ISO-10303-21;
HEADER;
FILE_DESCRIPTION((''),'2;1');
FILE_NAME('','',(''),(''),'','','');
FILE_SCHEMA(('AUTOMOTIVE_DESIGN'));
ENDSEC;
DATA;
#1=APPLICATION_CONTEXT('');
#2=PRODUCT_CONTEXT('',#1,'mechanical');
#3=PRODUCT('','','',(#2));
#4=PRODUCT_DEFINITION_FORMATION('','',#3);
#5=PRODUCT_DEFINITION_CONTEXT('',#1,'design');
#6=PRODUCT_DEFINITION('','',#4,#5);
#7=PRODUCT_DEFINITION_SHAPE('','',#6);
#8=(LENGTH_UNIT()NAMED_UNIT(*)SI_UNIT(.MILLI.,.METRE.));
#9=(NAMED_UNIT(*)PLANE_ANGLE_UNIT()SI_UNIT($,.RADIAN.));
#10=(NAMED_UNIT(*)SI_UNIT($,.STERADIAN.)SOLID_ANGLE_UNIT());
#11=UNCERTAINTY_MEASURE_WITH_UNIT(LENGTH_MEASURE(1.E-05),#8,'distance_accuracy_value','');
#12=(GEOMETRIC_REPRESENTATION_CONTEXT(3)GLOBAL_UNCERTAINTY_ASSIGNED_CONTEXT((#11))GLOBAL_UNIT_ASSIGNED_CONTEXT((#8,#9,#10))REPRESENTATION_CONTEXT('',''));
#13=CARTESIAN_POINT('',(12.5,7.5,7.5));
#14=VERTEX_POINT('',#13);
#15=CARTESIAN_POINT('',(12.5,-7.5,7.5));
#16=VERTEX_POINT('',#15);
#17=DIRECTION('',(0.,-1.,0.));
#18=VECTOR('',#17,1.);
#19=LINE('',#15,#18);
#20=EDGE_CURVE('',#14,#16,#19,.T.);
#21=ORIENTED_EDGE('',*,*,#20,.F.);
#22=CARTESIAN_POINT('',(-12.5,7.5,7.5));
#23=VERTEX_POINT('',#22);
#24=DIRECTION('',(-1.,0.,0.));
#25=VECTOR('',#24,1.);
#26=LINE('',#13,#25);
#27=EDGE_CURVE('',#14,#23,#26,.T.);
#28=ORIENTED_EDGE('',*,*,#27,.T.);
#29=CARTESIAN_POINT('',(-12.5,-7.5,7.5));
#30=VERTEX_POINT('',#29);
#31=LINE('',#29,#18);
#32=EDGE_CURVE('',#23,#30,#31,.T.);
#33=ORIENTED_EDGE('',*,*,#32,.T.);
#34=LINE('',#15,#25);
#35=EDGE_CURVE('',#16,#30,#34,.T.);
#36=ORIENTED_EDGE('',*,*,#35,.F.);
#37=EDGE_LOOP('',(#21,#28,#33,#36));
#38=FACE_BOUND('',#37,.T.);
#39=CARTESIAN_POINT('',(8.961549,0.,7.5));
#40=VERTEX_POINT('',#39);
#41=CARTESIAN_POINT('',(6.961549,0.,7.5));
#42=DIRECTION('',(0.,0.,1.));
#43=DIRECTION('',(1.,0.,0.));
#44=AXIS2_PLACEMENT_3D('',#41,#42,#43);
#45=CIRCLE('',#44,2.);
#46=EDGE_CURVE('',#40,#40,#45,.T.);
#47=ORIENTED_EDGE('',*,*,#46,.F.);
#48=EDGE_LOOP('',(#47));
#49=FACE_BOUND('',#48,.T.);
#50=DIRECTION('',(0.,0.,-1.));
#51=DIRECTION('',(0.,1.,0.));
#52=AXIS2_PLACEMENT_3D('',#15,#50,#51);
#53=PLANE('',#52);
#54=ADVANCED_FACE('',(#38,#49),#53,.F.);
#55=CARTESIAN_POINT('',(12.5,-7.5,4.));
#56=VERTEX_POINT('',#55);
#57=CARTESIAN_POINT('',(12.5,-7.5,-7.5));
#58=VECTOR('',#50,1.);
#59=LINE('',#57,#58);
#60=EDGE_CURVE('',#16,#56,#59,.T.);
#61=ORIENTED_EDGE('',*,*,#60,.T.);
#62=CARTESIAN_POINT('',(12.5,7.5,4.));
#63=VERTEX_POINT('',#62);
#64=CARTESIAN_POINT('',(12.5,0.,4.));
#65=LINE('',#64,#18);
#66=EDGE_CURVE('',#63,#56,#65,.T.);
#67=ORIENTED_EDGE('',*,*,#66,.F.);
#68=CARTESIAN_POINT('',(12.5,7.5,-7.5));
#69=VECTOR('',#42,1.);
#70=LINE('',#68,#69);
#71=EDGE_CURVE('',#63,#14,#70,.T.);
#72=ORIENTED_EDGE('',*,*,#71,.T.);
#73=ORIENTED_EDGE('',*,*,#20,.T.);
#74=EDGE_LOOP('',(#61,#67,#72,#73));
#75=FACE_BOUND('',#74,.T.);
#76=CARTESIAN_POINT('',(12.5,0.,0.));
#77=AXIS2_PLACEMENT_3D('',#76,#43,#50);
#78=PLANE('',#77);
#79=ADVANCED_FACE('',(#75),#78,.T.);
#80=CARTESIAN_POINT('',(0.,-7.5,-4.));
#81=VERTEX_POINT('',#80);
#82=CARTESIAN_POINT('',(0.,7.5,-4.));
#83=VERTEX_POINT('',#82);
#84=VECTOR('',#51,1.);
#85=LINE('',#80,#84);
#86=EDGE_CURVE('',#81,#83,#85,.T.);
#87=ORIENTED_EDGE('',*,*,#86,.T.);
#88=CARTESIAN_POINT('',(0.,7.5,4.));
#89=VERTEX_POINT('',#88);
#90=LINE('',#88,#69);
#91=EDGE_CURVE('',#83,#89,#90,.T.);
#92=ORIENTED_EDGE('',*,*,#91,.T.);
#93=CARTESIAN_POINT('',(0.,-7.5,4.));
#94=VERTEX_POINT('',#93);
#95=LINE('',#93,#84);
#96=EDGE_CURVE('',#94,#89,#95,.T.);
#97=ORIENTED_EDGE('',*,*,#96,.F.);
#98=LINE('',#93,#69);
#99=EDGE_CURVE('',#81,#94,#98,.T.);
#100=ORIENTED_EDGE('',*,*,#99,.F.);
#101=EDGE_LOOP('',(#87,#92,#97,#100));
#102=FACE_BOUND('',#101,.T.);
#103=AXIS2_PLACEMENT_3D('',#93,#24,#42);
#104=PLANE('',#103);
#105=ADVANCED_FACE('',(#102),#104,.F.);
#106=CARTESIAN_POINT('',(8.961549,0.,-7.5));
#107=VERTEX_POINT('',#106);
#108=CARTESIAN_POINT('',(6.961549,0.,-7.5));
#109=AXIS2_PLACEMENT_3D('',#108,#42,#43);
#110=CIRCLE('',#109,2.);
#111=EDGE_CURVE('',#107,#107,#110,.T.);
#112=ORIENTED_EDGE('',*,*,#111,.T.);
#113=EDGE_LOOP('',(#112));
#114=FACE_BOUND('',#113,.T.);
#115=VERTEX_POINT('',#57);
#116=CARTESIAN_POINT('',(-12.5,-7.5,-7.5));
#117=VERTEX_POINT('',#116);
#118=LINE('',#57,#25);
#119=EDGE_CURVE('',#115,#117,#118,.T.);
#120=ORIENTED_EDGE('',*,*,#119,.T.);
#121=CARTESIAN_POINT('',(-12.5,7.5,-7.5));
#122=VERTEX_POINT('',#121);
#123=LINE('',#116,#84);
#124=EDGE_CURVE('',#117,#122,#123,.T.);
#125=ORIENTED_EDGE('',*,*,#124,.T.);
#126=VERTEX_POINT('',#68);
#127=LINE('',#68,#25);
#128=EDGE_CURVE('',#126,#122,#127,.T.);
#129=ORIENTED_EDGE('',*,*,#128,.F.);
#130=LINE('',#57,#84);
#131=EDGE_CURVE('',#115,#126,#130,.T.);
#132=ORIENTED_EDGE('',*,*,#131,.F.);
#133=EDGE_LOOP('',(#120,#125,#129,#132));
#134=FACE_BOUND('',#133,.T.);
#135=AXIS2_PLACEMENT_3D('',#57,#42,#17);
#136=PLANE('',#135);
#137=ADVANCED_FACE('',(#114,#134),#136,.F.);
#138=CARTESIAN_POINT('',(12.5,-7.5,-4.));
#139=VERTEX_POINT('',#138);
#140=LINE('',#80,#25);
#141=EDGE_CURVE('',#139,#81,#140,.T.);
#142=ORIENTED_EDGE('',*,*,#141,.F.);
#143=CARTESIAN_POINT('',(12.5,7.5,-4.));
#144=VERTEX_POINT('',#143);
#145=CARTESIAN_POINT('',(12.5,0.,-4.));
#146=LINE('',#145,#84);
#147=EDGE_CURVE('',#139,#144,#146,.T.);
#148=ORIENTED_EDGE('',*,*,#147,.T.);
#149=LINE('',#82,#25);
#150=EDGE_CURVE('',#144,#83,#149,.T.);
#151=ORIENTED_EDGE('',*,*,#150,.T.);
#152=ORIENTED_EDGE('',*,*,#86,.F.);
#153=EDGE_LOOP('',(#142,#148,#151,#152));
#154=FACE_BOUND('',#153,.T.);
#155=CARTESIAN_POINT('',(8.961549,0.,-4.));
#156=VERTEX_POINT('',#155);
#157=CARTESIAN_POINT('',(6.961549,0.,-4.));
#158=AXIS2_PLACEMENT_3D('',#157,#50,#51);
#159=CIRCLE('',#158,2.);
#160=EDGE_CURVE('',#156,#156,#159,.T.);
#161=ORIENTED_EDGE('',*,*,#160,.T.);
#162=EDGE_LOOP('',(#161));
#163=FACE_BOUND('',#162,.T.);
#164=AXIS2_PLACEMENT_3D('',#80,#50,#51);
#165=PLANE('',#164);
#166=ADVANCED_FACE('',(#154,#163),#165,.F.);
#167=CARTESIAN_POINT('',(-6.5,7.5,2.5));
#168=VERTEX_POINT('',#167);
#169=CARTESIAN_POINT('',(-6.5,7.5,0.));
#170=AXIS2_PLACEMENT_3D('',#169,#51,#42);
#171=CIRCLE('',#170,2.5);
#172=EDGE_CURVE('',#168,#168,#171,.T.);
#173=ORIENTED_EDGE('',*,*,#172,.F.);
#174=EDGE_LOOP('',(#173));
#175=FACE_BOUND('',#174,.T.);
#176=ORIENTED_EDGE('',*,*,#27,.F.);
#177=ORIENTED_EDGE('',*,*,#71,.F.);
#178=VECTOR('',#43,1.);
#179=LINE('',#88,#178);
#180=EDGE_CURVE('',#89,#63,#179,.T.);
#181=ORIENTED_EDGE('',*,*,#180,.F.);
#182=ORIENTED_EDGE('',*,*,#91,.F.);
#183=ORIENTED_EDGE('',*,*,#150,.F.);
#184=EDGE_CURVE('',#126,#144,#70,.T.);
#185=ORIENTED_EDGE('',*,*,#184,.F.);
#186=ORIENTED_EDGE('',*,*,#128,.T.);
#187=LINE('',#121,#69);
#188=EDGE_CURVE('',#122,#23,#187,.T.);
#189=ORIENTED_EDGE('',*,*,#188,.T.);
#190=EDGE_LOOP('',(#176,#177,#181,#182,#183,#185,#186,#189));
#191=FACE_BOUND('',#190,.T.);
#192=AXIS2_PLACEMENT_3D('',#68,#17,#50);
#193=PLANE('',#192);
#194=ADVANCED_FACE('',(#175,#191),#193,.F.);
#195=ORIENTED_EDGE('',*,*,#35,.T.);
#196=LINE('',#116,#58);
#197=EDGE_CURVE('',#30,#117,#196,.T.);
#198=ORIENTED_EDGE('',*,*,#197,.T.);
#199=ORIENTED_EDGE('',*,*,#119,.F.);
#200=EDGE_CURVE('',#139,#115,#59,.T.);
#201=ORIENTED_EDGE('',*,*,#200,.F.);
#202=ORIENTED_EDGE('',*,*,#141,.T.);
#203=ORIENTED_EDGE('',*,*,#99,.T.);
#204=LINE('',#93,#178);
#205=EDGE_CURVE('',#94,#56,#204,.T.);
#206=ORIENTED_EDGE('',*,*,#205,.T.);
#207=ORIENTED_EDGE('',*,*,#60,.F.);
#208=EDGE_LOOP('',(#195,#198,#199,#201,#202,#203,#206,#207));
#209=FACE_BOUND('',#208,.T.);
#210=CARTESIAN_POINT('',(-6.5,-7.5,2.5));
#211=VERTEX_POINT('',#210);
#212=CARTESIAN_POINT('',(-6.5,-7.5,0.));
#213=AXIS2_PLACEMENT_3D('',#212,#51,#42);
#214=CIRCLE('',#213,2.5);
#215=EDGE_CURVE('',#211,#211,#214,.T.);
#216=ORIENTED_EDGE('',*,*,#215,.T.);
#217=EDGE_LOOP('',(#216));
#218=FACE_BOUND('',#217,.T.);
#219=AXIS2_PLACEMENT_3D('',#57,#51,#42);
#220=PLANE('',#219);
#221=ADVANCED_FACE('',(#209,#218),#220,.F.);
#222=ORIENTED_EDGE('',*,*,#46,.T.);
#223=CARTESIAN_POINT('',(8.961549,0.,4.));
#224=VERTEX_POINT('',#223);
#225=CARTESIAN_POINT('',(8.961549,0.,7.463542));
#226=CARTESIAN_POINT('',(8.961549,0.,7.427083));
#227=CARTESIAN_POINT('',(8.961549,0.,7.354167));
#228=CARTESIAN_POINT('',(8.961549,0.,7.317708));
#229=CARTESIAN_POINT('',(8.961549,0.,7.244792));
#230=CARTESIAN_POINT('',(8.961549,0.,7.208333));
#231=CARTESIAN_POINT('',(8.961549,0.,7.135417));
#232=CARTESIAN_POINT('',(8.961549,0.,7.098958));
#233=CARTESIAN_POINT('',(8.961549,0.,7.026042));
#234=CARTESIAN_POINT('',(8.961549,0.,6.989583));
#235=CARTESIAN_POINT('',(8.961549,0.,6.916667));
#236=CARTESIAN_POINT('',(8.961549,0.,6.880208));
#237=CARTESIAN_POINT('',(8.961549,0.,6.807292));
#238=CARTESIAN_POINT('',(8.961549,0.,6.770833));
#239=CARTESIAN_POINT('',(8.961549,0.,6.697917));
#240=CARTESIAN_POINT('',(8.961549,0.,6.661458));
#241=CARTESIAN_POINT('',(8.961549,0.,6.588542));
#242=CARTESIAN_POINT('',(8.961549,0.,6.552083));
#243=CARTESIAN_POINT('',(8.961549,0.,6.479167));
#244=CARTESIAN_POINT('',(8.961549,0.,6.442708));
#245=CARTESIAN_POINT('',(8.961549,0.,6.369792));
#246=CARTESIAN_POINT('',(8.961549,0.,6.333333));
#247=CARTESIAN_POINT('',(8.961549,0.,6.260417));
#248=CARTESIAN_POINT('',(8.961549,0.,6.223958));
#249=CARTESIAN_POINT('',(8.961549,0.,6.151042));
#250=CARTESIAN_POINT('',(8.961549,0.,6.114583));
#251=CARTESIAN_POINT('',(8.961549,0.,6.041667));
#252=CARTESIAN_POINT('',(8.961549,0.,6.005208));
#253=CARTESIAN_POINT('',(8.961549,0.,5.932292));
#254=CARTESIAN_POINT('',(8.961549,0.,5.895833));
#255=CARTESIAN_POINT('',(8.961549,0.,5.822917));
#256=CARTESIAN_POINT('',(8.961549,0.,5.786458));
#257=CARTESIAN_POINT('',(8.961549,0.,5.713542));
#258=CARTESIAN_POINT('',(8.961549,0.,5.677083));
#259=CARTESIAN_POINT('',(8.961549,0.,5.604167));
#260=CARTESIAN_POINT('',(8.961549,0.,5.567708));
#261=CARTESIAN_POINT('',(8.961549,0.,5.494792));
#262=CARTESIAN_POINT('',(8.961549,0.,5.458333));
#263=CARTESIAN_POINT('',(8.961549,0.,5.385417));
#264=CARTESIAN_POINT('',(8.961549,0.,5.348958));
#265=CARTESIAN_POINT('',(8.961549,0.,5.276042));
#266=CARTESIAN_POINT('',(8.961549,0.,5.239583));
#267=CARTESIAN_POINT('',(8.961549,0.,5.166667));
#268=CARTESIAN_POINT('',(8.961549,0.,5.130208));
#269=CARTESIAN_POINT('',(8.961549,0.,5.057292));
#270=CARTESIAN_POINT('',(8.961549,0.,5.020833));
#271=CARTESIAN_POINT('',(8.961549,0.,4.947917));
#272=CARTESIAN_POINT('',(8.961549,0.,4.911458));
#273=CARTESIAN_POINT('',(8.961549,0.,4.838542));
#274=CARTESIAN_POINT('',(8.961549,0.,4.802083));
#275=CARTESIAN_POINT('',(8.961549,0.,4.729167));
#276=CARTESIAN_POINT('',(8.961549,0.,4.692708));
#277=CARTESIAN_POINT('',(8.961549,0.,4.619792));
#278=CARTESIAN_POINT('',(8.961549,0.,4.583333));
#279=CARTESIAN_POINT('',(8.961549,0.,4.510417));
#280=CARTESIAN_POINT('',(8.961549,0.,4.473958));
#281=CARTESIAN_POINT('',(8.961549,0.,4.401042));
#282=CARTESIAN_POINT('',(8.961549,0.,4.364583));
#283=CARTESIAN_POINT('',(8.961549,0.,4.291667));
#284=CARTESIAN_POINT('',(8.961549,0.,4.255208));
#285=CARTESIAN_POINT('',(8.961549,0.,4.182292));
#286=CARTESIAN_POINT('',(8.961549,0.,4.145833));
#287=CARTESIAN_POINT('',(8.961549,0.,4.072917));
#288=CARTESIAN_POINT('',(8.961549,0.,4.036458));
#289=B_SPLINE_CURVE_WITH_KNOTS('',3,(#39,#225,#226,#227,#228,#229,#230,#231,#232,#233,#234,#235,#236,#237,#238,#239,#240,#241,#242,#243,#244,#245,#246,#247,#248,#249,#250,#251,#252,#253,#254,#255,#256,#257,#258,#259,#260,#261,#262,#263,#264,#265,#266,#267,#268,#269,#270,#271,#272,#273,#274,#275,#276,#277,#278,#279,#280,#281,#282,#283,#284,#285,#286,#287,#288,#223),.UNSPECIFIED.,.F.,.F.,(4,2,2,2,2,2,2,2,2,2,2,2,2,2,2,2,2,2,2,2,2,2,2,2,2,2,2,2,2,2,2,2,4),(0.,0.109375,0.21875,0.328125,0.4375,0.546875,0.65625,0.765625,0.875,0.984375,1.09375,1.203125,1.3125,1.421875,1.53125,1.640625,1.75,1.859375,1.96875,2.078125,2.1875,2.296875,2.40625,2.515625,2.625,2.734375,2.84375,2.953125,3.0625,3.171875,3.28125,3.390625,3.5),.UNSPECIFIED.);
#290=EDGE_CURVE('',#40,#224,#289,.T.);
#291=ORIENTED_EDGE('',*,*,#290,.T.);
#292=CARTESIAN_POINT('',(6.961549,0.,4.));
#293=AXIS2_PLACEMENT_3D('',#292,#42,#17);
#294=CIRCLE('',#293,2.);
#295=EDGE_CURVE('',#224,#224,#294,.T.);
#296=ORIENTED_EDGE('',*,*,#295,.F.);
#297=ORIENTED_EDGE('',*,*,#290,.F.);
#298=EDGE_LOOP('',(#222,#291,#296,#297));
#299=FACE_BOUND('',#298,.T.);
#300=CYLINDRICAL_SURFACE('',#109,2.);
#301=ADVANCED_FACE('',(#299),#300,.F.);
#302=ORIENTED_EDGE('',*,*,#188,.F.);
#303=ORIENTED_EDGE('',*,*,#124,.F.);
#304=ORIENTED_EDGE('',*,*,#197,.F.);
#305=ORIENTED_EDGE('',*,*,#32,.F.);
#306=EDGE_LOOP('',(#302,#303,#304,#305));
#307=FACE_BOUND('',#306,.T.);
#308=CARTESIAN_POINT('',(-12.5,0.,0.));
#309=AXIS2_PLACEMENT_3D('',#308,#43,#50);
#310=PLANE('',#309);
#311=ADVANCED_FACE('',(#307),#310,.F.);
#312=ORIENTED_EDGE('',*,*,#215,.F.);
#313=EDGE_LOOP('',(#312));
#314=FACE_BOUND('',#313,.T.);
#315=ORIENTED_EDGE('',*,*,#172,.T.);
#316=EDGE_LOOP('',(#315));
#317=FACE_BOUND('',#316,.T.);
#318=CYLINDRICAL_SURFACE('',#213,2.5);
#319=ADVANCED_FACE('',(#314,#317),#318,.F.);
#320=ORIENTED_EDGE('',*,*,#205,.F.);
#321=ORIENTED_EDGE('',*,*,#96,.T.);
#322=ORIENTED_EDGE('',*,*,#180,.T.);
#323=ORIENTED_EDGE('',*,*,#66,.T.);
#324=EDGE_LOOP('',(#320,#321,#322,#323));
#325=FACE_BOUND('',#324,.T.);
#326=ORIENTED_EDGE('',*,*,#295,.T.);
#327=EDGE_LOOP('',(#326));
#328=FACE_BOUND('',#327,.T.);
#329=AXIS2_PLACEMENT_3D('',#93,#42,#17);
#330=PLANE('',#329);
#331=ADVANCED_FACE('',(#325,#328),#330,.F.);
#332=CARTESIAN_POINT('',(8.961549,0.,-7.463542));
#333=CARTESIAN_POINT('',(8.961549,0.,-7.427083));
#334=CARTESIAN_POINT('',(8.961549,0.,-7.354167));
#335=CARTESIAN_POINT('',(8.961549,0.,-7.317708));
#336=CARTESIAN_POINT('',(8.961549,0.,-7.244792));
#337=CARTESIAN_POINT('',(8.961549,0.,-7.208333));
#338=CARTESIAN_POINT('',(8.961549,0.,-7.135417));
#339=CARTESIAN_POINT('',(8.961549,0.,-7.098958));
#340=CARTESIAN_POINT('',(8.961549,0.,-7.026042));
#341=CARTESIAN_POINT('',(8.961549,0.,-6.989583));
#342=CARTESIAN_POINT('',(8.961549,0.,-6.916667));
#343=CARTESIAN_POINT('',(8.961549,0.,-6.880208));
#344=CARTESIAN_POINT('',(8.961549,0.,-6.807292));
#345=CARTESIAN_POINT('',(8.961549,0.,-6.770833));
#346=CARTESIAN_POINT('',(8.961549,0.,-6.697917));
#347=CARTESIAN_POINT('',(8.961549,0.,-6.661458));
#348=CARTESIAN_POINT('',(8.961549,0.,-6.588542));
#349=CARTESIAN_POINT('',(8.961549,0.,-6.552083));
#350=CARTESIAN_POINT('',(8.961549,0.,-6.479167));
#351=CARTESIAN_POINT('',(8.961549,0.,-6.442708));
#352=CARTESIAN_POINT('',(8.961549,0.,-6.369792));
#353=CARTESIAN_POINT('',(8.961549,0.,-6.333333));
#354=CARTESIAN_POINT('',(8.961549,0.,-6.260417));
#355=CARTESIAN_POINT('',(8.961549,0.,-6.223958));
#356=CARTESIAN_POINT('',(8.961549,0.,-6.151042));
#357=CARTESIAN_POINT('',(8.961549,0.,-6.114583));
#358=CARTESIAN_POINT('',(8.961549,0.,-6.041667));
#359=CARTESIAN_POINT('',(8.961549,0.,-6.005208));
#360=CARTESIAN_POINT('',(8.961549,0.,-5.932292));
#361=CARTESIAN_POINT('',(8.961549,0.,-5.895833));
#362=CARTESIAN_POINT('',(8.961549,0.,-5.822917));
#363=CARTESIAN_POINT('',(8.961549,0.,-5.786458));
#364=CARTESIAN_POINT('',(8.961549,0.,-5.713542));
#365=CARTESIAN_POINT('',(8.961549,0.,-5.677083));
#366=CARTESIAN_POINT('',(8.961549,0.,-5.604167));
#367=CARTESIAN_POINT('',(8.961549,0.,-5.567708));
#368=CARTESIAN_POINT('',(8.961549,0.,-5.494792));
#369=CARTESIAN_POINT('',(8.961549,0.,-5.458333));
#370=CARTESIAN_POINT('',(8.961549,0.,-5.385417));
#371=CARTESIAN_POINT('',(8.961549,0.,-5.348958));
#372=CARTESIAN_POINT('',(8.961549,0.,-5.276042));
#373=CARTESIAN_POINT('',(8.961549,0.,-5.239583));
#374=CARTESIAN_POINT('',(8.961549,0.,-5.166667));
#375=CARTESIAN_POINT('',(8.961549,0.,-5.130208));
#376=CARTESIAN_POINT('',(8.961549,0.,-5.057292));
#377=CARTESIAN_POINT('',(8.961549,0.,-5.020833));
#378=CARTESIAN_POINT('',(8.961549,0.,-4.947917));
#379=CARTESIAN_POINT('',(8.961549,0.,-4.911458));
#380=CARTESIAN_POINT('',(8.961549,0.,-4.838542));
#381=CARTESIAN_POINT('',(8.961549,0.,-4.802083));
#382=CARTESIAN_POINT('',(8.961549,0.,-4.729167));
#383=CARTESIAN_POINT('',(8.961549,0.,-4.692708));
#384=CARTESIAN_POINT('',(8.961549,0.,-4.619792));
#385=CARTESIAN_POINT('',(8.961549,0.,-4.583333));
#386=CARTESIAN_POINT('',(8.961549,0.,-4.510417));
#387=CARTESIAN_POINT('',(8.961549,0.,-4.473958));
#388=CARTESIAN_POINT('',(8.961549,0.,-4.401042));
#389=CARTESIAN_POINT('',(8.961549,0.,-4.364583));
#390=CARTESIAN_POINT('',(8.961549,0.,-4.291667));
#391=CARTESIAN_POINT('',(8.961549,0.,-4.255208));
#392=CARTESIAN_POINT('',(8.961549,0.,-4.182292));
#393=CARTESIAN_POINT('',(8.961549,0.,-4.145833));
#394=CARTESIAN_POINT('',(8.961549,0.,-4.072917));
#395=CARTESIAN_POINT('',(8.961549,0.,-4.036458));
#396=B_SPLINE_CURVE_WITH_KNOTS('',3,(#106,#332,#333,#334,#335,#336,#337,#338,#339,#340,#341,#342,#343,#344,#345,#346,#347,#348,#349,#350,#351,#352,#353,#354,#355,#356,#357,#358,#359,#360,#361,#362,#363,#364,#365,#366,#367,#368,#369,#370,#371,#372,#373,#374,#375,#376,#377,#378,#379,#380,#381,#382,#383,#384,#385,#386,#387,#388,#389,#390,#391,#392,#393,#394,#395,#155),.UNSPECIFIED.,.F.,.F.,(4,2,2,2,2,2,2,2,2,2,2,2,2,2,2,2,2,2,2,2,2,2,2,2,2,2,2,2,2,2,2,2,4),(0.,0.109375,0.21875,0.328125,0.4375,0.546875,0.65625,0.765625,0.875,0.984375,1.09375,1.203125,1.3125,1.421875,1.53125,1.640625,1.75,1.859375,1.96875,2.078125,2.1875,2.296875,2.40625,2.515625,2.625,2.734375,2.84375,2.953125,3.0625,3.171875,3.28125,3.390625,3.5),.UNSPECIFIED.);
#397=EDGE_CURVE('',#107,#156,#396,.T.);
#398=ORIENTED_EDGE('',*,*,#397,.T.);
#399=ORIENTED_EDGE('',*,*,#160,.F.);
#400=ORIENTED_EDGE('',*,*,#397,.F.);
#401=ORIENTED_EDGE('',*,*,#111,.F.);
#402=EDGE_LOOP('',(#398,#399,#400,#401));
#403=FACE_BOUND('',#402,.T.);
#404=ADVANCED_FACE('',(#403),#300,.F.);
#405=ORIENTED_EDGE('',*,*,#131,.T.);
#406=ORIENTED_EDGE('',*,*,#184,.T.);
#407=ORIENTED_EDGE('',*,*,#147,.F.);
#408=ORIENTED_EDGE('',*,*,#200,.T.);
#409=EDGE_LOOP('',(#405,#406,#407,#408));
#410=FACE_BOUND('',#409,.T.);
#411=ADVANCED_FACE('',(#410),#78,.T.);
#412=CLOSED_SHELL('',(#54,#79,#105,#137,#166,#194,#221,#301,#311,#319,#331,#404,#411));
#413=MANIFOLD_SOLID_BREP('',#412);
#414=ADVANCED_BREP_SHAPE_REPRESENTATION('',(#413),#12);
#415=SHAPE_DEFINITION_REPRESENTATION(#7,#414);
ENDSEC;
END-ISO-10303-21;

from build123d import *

# Parameters (mm, degrees)
CROQUIS1_W              = 15
CROQUIS1_H              = 15
SALIENTE_EXTRUIR1_DEPTH = 12.5
CROQUIS2_R              = 2.5
CROQUIS2_W              = 25
CROQUIS2_H              = 8
CORTAR_EXTRUIR1_DEPTH   = 21.916500663
CROQUIS3_R              = 2
CORTAR_EXTRUIR2_DEPTH   = 21.916500663


with BuildPart() as part:
    # Croquis1 → Saliente-Extruir1 (new, symmetric)
    with BuildSketch(Plane(origin=(0, 0, 0), x_dir=(0, 0, -1), z_dir=(1, 0, 0))):
        Rectangle(CROQUIS1_W, CROQUIS1_H)
    extrude(amount=SALIENTE_EXTRUIR1_DEPTH, both=True)

    # Croquis2 → Cortar-Extruir1 (cut, through all)
    with BuildSketch(Plane(origin=(0, 7.5, 0), x_dir=(1, 0, 0), z_dir=(0, 1, 0))):
        with Locations(Location((-6.5, 0, 0), (0, 0, 270))):
            Circle(CROQUIS2_R)
        with Locations((12.5, 0)):
            Rectangle(CROQUIS2_W, CROQUIS2_H)
    extrude(amount=-CORTAR_EXTRUIR1_DEPTH, mode=Mode.SUBTRACT)

    # Croquis3 → Cortar-Extruir2 (cut, through all)
    with BuildSketch(Plane.XY.offset(7.5)):
        with Locations((6.961549082, 0)):
            Circle(CROQUIS3_R)
    extrude(amount=-CORTAR_EXTRUIR2_DEPTH, mode=Mode.SUBTRACT)


solid = part.part
